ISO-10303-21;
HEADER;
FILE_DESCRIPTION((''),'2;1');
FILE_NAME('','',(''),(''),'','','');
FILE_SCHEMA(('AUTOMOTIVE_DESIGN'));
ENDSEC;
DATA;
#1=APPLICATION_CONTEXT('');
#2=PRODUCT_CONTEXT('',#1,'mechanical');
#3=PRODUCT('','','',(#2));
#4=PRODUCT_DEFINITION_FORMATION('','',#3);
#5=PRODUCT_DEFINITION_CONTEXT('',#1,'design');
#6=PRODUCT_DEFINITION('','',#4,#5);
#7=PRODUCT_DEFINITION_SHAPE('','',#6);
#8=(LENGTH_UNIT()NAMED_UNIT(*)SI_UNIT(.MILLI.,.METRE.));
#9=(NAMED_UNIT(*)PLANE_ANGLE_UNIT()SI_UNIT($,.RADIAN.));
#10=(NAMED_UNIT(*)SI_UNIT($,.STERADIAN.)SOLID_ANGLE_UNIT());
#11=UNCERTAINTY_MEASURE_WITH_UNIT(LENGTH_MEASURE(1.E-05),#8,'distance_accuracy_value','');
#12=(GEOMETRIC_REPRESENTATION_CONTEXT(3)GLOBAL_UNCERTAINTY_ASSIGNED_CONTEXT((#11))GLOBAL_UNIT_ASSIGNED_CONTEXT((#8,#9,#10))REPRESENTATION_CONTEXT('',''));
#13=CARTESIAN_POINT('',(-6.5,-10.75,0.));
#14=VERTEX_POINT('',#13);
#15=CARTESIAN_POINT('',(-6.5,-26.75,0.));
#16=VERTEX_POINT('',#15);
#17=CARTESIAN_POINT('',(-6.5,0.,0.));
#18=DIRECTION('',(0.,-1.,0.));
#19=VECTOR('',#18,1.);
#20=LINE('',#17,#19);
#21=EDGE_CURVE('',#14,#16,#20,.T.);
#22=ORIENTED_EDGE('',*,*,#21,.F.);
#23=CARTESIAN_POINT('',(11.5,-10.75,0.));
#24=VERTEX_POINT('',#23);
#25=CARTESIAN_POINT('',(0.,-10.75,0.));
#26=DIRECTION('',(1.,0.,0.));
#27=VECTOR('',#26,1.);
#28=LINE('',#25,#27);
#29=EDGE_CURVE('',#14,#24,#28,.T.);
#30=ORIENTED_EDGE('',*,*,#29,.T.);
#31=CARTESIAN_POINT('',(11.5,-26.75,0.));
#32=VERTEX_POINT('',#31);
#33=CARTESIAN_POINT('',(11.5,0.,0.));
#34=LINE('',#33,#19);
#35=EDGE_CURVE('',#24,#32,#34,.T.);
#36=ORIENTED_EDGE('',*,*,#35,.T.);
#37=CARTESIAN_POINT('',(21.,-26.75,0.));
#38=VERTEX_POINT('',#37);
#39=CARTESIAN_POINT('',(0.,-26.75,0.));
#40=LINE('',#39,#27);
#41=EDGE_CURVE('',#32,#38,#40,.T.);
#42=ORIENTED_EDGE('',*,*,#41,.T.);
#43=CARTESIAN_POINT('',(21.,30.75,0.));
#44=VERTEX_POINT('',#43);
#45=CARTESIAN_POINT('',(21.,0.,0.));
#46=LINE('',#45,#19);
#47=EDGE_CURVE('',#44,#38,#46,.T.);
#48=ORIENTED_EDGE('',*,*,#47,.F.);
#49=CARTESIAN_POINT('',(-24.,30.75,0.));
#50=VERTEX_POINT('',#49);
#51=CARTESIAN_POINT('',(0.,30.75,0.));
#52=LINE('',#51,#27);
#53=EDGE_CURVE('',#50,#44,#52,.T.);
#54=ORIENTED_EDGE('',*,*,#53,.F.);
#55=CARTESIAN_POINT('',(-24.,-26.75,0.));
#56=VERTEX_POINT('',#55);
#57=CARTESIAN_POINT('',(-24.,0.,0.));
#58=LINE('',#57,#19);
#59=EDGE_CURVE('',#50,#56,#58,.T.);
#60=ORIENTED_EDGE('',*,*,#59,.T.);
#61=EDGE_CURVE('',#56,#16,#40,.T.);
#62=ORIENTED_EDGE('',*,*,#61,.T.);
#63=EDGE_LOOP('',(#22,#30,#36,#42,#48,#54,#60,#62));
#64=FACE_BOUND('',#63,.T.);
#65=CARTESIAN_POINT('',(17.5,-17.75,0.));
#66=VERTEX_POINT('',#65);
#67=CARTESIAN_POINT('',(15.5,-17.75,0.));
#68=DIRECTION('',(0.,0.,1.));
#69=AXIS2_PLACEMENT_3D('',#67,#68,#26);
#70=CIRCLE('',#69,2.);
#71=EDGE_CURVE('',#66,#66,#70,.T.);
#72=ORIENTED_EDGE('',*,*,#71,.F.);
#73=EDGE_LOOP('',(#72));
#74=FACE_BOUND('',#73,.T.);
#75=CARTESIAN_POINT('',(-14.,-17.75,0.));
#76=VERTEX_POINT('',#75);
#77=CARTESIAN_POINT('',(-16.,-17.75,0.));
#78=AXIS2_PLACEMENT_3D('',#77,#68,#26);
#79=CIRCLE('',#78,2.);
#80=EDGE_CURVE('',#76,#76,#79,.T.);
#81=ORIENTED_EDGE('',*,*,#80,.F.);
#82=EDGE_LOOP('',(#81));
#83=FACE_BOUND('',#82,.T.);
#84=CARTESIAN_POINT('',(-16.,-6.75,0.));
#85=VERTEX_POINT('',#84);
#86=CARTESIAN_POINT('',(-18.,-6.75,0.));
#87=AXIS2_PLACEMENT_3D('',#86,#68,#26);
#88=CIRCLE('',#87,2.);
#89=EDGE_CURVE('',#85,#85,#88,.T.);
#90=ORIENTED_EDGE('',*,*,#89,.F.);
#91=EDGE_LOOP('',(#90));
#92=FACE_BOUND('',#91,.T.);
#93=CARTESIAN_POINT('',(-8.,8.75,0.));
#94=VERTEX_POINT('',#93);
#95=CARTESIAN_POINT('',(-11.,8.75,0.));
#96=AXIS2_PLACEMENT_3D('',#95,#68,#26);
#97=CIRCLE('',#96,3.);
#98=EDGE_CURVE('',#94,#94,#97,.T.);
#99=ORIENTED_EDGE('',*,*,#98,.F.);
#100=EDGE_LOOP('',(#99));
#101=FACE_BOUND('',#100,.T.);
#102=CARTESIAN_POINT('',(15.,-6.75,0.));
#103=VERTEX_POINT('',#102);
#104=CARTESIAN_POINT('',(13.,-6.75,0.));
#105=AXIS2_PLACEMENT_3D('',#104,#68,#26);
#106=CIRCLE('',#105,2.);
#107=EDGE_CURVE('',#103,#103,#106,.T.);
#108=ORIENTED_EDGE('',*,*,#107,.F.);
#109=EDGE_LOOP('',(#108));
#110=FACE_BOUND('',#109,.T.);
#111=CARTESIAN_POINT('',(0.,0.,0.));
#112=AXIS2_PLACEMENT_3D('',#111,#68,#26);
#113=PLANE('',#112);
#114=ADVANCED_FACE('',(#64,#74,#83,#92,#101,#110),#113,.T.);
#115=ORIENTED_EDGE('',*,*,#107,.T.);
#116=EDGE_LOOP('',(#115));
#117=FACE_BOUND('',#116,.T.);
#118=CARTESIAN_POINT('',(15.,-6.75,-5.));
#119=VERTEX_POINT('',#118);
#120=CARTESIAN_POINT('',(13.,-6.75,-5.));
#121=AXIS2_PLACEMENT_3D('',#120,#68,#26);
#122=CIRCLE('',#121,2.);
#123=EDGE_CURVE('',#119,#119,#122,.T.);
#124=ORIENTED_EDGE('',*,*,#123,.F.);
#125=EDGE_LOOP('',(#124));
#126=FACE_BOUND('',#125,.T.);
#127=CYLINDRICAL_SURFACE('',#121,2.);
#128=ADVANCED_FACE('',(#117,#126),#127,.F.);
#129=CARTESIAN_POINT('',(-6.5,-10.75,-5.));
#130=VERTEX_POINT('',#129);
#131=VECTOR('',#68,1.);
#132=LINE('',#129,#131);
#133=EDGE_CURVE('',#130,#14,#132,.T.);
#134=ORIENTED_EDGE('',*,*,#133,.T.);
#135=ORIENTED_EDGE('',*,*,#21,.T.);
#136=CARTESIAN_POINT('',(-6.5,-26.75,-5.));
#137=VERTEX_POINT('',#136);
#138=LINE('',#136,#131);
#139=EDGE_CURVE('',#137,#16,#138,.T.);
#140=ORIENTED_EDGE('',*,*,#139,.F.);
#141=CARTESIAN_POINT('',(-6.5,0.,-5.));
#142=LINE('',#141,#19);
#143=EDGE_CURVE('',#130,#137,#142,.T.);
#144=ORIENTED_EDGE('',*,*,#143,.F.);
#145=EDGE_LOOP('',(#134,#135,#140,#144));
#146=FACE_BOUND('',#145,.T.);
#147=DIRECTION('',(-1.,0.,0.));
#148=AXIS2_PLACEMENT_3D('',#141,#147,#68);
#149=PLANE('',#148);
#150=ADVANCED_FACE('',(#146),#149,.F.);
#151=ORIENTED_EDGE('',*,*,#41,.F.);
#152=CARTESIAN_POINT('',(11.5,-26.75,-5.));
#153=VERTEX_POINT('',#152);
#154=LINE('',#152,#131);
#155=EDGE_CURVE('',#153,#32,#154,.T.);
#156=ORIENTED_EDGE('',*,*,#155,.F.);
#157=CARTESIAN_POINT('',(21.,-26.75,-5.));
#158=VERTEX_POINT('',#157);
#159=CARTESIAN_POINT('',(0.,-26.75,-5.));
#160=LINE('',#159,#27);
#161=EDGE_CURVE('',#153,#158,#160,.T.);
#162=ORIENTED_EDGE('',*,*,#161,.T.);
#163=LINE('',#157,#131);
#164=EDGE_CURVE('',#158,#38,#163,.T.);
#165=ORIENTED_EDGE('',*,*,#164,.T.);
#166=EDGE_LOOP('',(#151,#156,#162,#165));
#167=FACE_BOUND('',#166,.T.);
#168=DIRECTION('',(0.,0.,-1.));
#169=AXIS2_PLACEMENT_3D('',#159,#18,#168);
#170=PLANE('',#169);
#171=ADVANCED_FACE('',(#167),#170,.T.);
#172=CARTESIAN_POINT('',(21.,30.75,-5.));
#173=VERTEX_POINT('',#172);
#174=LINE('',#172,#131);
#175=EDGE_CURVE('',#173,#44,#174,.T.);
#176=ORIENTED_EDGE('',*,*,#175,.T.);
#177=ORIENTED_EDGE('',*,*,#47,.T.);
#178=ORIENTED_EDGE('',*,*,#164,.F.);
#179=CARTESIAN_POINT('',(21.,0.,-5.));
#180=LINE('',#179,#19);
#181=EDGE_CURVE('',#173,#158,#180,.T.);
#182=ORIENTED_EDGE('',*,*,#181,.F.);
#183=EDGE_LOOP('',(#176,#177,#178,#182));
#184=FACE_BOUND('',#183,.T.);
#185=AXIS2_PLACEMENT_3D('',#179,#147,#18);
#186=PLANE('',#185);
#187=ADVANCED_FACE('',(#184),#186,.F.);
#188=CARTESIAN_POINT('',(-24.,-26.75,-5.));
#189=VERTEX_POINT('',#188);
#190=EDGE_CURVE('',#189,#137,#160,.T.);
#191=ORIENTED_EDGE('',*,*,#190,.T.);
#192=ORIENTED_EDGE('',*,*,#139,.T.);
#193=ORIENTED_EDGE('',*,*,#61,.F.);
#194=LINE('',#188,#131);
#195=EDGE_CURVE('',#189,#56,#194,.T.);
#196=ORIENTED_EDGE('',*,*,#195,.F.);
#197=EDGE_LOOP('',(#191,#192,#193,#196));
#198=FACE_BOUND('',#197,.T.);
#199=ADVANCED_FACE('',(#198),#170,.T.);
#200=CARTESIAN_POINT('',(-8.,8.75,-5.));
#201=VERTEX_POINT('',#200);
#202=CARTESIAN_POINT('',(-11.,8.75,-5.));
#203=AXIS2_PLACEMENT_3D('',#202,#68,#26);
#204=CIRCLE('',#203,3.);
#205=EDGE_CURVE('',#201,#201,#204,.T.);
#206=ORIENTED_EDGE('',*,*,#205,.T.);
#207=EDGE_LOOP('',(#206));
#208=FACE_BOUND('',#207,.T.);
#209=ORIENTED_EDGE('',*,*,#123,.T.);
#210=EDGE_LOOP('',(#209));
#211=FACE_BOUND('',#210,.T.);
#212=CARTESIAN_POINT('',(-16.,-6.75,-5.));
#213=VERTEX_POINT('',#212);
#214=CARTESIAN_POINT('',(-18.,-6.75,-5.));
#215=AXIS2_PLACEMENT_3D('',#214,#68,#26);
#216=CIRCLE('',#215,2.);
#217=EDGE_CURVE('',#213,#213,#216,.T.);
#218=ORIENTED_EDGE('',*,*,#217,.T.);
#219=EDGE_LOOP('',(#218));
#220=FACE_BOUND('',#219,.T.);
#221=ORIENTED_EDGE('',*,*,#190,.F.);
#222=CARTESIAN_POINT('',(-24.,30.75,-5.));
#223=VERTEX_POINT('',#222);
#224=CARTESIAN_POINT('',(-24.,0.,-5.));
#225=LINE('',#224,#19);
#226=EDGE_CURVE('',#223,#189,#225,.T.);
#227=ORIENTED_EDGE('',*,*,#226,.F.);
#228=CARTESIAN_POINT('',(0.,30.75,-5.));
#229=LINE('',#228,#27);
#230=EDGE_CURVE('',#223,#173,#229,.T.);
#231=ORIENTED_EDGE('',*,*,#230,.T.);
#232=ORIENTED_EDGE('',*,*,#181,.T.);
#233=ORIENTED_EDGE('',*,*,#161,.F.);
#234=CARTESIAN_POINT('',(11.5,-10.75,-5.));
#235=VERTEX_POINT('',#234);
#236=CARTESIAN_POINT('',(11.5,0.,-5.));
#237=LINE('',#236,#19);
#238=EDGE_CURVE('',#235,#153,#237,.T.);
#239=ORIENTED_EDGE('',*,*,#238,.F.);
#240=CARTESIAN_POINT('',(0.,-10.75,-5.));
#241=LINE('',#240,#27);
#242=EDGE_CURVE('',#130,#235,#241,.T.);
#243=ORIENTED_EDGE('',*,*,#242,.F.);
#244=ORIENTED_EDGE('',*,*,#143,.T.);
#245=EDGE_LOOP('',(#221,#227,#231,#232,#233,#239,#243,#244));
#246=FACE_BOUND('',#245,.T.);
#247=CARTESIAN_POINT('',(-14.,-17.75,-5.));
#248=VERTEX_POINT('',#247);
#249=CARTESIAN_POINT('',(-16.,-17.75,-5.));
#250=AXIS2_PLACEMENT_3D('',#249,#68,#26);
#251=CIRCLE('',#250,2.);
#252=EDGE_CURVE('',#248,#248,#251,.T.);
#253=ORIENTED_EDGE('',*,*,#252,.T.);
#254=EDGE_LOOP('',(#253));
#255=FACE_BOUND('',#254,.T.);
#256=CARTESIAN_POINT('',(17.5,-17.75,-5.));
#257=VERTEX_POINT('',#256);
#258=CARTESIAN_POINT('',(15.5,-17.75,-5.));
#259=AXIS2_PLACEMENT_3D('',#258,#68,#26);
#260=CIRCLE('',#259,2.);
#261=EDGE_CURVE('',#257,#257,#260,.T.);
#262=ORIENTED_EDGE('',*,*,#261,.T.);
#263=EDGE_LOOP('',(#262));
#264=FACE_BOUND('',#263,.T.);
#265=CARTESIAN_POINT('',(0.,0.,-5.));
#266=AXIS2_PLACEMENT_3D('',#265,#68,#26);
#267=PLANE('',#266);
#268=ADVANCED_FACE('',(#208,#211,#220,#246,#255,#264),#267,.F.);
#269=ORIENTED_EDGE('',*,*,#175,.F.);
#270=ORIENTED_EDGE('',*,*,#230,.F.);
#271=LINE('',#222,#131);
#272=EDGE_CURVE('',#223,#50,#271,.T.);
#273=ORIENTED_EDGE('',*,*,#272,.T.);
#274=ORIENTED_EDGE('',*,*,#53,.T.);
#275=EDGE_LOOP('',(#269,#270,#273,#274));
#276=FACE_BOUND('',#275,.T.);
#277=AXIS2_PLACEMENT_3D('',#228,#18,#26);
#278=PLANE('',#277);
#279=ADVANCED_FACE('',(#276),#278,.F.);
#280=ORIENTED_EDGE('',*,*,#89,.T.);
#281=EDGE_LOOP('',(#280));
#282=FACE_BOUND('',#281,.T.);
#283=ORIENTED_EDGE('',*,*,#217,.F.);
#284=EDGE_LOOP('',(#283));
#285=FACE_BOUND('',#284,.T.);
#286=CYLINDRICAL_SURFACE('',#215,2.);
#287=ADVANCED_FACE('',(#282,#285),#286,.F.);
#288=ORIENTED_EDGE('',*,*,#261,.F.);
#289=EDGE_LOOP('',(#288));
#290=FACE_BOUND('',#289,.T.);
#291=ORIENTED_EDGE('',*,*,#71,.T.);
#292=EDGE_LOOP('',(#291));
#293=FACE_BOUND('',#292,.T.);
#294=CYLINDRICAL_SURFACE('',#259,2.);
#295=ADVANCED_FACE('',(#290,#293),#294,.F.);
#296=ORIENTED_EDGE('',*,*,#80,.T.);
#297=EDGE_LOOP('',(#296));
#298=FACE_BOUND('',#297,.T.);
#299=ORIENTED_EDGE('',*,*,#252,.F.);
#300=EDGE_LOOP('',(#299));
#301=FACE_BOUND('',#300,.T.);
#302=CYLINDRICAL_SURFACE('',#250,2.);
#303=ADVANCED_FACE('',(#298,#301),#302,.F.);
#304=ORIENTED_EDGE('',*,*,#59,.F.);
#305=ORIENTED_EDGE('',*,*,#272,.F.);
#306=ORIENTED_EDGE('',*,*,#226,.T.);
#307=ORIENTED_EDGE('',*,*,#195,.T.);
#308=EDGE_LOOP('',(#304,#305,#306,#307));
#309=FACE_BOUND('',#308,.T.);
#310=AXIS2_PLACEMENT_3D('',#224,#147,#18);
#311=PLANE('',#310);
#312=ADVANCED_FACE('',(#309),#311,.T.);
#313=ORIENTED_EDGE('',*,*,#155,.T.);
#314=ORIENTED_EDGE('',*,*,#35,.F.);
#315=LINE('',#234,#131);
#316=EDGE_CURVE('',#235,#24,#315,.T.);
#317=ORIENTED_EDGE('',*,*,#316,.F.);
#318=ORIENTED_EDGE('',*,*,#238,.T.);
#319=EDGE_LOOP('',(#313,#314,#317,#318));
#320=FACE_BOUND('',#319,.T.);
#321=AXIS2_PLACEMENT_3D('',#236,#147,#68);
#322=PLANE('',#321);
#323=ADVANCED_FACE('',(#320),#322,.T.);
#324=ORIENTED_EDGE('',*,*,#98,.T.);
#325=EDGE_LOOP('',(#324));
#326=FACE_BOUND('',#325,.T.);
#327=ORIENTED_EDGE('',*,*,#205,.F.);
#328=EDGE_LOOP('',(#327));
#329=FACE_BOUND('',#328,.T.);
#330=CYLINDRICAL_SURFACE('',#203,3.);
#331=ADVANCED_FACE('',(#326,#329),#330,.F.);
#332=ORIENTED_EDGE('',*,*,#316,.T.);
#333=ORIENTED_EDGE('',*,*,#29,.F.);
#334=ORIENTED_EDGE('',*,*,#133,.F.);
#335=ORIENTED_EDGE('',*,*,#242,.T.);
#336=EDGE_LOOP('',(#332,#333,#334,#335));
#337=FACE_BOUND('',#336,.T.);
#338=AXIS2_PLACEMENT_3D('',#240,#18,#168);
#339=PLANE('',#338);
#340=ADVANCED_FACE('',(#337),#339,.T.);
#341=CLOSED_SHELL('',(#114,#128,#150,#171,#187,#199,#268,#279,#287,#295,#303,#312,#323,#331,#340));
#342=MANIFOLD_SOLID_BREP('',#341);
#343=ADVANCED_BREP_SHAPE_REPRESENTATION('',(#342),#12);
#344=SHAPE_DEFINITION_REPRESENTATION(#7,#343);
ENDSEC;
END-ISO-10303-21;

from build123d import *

# Parameters (mm, degrees)
SKETCH2_R           = 2
SKETCH2_R_2         = 3
BOSS_EXTRUDE1_DEPTH = 5


with BuildPart() as part:
    # Sketch2 → Boss-Extrude1 (new body)
    with BuildSketch(Plane.XY):
        Polygon((21, 30.75), (-24, 30.75), (-24, -26.75), (-6.5, -26.75), (-6.5, -10.75), (11.5, -10.75), (11.5, -26.75), (21, -26.75), align=None)
        with Locations((-16, -17.75)):
            Circle(SKETCH2_R, mode=Mode.SUBTRACT)
        with Locations((-18, -6.75)):
            Circle(SKETCH2_R, mode=Mode.SUBTRACT)
        with Locations((15.5, -17.75)):
            Circle(SKETCH2_R, mode=Mode.SUBTRACT)
        with Locations((13, -6.75)):
            Circle(SKETCH2_R, mode=Mode.SUBTRACT)
        with Locations((-11, 8.75)):
            Circle(SKETCH2_R_2, mode=Mode.SUBTRACT)
    extrude(amount=-BOSS_EXTRUDE1_DEPTH)


solid = part.part
